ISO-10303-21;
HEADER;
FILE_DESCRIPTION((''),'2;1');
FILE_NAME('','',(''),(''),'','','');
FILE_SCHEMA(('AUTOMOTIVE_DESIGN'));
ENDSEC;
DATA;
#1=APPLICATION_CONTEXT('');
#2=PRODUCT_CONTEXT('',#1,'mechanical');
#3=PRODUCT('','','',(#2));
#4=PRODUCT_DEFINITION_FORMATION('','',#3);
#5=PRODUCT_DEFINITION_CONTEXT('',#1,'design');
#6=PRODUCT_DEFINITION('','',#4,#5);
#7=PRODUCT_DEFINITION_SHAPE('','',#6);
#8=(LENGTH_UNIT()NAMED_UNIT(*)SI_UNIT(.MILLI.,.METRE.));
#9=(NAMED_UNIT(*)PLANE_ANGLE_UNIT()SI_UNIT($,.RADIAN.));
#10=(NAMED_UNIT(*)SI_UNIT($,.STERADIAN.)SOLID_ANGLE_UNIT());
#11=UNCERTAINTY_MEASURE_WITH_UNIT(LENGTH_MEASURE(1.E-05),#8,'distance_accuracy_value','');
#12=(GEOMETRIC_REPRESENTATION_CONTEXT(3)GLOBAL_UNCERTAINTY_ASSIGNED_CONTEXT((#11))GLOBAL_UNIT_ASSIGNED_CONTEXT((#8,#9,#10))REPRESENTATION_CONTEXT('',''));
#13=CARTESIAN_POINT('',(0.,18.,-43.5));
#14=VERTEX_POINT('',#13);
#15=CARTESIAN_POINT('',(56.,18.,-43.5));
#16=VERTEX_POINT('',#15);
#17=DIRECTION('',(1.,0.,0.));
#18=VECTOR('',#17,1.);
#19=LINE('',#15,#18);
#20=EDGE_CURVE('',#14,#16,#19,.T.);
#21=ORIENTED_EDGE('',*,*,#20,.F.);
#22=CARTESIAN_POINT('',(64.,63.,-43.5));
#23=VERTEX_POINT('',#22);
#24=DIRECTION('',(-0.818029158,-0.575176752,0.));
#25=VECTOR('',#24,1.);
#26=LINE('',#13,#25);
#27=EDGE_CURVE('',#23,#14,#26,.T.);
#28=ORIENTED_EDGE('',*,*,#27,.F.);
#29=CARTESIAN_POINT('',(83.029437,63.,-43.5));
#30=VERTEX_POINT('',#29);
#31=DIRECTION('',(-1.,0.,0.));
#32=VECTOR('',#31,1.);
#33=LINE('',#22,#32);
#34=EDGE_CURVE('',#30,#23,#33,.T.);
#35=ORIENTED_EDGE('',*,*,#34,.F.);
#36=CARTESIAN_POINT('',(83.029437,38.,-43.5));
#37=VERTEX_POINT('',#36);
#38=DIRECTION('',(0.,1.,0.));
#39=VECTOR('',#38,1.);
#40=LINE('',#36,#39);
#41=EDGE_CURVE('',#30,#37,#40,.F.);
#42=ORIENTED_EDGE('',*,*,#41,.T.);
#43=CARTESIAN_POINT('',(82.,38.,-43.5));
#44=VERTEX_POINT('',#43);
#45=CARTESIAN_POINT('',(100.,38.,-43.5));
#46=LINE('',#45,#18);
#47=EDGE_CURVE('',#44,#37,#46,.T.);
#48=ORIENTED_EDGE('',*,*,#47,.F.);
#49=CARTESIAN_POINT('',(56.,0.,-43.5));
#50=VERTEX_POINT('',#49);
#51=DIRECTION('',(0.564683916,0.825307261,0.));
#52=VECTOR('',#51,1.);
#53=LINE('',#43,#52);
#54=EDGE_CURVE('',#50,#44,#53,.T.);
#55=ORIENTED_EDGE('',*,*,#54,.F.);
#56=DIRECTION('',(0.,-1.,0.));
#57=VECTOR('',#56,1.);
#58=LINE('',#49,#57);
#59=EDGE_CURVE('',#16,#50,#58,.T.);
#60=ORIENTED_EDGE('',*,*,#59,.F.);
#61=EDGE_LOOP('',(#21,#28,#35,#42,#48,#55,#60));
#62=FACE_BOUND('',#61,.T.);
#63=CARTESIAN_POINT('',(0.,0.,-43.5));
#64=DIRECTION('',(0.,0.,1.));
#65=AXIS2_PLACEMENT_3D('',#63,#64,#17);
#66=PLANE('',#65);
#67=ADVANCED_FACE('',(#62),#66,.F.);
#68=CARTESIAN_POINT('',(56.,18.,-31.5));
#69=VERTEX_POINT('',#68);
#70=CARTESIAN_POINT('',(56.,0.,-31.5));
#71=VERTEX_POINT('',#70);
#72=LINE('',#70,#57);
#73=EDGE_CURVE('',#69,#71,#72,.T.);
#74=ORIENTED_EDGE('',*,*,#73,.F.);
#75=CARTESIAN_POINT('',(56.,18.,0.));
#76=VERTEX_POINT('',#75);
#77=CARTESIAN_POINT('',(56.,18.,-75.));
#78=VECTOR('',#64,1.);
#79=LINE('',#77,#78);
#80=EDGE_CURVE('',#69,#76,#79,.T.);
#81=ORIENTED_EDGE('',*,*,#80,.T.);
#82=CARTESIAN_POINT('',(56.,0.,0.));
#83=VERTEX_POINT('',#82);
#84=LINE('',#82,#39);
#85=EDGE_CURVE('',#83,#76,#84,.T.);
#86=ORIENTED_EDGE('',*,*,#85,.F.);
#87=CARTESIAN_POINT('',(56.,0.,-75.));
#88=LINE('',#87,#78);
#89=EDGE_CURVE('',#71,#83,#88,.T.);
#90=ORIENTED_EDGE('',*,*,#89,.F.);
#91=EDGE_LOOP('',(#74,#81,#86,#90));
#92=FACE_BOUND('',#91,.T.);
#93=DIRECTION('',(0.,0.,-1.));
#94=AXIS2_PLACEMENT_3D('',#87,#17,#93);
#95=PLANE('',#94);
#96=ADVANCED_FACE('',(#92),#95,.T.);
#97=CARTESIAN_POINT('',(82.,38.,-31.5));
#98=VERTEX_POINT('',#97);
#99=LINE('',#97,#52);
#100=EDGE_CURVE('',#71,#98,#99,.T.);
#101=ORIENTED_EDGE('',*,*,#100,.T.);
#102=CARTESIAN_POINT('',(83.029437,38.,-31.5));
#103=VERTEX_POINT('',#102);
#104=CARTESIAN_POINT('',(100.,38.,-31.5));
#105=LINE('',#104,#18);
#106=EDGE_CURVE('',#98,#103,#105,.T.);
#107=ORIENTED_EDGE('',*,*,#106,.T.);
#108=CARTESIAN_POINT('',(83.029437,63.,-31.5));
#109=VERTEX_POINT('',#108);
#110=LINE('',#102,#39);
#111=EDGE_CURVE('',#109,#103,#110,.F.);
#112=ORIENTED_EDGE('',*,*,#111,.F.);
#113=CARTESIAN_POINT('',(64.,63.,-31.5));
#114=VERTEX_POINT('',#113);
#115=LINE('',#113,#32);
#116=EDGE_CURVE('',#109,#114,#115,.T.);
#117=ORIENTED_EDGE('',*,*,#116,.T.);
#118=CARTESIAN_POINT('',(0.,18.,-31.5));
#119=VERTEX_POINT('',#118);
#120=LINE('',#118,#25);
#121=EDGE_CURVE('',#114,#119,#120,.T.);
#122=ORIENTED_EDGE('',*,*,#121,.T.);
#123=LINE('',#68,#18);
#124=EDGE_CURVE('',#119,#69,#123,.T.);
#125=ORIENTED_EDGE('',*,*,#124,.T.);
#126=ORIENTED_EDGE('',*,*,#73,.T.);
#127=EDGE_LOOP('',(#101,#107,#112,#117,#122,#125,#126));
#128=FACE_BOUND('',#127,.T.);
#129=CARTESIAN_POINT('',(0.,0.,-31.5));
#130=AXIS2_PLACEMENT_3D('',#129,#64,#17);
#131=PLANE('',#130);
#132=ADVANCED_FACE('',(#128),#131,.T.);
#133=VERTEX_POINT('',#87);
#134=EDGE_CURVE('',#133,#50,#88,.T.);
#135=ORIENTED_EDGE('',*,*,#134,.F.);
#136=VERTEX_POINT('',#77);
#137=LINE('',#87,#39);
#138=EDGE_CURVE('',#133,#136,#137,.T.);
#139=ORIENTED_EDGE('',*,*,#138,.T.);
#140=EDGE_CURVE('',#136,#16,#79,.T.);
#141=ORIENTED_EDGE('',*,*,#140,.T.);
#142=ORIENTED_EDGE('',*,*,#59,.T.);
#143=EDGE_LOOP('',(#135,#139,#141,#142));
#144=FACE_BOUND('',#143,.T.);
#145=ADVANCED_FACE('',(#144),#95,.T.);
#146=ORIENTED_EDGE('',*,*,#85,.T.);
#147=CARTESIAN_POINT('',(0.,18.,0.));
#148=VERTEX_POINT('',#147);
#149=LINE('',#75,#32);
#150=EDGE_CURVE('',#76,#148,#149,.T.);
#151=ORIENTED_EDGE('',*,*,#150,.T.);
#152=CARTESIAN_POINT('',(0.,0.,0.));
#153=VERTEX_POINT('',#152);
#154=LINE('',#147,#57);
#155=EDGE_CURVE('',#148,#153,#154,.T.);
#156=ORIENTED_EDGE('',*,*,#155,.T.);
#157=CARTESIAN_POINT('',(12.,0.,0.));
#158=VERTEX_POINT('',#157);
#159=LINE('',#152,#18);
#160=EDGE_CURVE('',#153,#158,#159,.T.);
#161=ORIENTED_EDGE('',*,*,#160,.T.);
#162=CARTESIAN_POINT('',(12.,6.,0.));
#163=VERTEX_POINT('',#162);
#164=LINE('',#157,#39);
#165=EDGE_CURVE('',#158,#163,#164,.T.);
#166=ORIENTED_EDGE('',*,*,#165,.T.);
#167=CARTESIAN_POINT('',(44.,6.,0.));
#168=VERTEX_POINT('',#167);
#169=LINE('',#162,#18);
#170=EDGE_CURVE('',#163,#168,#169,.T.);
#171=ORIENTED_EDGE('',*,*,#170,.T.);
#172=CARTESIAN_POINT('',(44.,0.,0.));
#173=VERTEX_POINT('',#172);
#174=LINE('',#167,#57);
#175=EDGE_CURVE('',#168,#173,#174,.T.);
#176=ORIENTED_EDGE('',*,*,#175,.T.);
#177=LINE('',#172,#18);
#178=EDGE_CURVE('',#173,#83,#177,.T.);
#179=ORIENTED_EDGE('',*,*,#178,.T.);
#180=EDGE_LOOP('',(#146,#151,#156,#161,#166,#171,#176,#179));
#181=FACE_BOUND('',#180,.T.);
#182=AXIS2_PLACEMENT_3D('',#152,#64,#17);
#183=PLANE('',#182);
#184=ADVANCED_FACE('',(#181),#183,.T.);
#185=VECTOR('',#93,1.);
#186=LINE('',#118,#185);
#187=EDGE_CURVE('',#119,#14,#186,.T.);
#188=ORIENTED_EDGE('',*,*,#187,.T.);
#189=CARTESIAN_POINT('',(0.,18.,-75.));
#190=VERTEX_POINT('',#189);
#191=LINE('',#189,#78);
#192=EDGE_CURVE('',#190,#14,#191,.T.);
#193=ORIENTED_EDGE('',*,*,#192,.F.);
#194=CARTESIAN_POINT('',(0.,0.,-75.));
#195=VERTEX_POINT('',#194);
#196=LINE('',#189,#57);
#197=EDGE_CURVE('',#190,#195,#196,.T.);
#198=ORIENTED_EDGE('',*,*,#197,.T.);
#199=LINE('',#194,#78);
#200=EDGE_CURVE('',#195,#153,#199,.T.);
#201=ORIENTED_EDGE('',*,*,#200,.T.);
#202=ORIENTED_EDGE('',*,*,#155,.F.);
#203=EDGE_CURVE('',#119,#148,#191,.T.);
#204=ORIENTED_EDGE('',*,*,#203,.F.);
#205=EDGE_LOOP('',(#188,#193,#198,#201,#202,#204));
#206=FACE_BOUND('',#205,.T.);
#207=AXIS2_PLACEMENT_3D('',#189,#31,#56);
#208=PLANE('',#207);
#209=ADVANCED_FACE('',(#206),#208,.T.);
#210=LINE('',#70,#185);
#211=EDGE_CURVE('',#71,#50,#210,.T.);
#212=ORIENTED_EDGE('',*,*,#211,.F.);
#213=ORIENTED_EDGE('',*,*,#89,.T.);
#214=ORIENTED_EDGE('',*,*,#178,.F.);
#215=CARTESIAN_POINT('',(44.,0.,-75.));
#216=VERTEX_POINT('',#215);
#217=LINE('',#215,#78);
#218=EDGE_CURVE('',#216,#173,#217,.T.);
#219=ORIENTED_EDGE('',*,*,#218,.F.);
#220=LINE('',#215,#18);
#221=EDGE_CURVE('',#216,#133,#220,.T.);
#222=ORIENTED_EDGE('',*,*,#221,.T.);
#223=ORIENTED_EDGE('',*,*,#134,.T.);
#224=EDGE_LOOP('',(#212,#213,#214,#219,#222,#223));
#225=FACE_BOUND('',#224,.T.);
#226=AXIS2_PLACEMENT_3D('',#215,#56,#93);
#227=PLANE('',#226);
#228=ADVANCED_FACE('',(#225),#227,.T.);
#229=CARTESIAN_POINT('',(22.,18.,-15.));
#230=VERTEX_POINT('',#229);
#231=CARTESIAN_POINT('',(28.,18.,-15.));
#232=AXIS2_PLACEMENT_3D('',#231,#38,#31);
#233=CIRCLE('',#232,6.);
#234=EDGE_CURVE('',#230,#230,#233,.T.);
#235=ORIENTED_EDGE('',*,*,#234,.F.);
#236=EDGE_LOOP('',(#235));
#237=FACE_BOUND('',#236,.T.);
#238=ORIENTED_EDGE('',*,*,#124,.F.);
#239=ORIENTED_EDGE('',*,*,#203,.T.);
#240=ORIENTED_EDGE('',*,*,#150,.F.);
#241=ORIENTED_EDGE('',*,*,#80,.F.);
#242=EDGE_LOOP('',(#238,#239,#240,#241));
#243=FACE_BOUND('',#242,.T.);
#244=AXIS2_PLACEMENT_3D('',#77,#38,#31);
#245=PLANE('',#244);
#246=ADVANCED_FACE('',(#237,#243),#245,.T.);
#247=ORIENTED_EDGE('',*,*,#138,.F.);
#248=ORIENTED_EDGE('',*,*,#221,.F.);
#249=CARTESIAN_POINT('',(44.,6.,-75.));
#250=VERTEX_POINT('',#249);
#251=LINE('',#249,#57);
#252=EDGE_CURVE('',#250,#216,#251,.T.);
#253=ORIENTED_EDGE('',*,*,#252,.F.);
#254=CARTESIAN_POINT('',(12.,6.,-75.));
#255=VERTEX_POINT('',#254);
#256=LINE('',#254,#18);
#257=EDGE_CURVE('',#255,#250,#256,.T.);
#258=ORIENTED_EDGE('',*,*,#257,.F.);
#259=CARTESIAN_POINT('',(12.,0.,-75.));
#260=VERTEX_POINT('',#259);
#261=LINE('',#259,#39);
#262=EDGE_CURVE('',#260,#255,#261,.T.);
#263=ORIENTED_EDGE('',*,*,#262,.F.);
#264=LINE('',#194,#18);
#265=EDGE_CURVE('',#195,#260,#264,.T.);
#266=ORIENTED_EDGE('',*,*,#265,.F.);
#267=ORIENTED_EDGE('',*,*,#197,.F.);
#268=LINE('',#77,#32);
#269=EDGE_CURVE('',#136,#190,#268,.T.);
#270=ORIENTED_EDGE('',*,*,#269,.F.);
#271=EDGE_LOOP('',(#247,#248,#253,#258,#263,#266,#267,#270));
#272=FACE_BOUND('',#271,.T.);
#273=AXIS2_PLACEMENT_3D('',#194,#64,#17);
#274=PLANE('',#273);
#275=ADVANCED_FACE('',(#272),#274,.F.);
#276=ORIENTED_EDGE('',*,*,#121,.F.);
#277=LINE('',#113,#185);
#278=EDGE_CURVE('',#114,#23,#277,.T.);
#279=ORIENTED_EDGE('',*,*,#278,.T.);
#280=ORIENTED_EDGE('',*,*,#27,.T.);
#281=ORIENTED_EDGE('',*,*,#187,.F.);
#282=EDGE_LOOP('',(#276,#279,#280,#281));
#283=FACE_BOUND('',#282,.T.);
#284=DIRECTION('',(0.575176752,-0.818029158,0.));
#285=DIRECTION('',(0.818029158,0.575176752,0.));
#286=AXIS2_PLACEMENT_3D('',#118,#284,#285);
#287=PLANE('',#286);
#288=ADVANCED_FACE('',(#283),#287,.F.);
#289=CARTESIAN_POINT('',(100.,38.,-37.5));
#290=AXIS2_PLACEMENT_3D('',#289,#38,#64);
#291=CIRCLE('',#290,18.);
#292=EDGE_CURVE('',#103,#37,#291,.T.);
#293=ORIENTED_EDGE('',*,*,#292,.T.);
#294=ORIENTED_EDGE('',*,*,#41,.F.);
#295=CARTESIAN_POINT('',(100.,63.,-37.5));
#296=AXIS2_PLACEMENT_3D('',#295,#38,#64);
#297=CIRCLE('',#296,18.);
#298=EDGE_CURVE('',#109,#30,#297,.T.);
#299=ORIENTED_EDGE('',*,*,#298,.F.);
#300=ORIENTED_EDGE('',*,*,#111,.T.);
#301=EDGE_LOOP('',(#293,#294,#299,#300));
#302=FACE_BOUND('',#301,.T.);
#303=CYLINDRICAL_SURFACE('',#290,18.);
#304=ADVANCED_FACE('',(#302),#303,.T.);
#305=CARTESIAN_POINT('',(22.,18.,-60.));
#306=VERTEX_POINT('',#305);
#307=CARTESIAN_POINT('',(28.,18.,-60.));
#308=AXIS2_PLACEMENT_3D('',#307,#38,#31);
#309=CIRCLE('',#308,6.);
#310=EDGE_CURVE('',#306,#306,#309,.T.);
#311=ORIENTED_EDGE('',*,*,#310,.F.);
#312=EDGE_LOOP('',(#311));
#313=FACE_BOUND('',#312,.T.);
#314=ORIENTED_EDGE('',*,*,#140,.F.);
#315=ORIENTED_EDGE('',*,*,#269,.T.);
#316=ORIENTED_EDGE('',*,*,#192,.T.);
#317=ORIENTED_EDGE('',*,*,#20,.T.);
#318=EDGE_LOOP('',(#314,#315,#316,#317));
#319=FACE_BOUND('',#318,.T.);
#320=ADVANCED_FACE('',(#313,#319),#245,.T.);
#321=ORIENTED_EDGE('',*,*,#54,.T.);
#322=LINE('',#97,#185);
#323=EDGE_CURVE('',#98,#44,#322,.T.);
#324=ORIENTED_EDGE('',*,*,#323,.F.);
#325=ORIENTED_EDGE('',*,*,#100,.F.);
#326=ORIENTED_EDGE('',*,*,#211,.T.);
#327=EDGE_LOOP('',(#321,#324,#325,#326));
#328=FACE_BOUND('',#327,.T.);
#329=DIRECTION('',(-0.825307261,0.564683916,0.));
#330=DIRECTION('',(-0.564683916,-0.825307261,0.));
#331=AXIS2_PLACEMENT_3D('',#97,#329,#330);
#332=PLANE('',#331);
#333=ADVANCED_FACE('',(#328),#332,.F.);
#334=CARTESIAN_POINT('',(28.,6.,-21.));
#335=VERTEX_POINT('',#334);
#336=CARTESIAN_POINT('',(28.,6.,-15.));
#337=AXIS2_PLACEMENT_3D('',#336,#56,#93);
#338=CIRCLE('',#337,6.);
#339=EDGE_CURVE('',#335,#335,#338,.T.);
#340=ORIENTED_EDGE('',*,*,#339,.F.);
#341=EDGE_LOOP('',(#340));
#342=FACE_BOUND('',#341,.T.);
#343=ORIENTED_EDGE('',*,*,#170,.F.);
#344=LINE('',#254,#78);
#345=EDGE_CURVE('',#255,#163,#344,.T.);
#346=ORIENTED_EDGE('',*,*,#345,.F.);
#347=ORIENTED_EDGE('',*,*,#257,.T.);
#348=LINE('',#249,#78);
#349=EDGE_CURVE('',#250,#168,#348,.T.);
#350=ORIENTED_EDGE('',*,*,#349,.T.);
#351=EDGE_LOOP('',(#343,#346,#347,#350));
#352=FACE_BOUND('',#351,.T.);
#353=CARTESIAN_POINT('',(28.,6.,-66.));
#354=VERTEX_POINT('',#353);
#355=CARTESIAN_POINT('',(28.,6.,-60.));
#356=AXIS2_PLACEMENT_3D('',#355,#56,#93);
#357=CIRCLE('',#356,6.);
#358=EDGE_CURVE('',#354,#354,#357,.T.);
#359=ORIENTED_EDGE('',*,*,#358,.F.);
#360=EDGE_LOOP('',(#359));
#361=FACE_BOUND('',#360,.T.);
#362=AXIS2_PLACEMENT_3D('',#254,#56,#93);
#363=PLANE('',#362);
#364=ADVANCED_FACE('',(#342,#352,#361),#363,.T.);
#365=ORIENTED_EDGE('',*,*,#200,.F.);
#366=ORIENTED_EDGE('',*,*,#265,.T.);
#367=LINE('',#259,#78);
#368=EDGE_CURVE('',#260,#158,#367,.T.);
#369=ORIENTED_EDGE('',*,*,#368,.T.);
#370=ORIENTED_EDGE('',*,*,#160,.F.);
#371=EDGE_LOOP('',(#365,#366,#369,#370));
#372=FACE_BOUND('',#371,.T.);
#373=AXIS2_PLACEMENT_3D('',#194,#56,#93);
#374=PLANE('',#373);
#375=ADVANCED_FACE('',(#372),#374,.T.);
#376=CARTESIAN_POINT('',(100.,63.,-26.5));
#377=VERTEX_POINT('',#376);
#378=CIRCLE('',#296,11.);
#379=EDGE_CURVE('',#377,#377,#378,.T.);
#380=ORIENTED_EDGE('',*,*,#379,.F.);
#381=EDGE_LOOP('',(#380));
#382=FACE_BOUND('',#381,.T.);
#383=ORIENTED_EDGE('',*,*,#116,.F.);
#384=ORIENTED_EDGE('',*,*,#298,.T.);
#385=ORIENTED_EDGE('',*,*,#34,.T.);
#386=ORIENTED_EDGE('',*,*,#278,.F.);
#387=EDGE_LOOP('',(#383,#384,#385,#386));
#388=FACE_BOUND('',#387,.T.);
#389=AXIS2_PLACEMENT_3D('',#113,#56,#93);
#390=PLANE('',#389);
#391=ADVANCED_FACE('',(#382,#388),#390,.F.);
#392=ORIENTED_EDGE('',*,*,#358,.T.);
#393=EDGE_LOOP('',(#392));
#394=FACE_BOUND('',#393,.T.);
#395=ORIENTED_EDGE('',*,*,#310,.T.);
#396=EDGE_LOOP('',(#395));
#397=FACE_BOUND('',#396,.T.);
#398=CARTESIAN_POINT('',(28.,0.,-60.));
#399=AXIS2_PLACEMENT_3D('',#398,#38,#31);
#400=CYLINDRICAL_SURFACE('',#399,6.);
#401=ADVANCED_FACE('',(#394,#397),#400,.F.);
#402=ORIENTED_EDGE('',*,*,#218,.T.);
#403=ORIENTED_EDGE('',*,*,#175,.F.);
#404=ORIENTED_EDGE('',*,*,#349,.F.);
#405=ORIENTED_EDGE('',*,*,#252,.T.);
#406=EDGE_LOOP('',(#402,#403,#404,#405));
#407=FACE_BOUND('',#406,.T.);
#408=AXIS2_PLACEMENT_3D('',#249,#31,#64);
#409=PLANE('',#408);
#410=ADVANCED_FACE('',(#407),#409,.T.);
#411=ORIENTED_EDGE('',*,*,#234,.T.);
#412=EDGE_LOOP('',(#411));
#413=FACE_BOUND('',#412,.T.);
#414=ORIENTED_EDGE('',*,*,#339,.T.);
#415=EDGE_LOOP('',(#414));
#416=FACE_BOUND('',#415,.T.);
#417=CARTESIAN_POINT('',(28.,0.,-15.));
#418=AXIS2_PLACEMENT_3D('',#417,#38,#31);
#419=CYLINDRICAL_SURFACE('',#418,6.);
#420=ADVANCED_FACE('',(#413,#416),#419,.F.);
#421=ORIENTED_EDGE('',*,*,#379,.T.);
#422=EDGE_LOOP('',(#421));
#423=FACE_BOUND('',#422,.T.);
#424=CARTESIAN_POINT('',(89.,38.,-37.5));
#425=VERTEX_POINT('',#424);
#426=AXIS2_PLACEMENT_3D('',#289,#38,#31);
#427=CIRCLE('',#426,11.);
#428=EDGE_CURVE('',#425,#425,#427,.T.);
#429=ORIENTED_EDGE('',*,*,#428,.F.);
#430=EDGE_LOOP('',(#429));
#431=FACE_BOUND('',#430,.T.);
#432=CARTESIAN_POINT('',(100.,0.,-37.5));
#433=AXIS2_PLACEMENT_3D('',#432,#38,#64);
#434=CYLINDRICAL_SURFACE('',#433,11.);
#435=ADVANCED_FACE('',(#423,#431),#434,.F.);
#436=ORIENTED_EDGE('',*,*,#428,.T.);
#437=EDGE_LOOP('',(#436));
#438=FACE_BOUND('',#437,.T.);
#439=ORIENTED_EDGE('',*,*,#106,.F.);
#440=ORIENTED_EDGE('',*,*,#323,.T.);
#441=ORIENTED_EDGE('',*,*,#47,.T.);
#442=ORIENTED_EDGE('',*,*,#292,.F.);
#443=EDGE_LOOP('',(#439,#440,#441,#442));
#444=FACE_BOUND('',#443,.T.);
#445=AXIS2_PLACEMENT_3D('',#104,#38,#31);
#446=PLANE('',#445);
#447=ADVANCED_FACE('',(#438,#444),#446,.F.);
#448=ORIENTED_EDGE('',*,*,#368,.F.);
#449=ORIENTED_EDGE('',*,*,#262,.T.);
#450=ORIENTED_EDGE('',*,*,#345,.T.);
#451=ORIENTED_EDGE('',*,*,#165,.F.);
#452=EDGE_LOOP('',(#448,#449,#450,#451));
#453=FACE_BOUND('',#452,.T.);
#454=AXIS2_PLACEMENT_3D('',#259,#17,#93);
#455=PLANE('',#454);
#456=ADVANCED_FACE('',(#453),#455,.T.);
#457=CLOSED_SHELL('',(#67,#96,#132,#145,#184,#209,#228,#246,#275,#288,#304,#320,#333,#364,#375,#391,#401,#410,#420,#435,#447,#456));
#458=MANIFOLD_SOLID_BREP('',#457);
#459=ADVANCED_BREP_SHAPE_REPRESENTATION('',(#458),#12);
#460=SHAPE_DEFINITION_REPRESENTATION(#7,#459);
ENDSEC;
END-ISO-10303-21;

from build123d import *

# Parameters (mm, degrees)
BOSS_EXTRUDE1_DEPTH = 75
SKETCH2_R           = 6
CUT_EXTRUDE1_DEPTH  = 96.315266353
BOSS_EXTRUDE2_DEPTH = 6
SKETCH4_R           = 18
BOSS_EXTRUDE3_DEPTH = 25
SKETCH5_R           = 11
CUT_EXTRUDE2_DEPTH  = 154.355795456


with BuildPart() as part:
    # Sketch1 → Boss-Extrude1 (new body)
    with BuildSketch(Plane.XY):
        Polygon((0, 0), (12, 0), (12, 6), (44, 6), (44, 0), (56, 0), (56, 18), (0, 18), align=None)
    extrude(amount=-BOSS_EXTRUDE1_DEPTH)

    # Sketch2 → Cut-Extrude1 (cut, through all)
    with BuildSketch(Plane(origin=(0, 18, 0), x_dir=(1, 0, 0), z_dir=(0, 1, 0))):
        with Locations(Location((28, 15, 0), (0, 0, 180))):
            Circle(SKETCH2_R)
        with Locations(Location((28, 60, 0), (0, 0, 180))):
            Circle(SKETCH2_R)
    extrude(amount=-CUT_EXTRUDE1_DEPTH, mode=Mode.SUBTRACT)

    # Sketch3 → Boss-Extrude2 (add, symmetric)
    with BuildSketch(Plane.XY.offset(-37.5)):
        Polygon((0, 18), (64, 63), (100, 63), (100, 38), (82, 38), (56, 0), (56, 18), align=None)
    extrude(amount=BOSS_EXTRUDE2_DEPTH, both=True)

    # Sketch4 → Boss-Extrude3 (add)
    with BuildSketch(Plane(origin=(0, 63, 0), x_dir=(1, 0, 0), z_dir=(0, 1, 0))):
        with Locations((100, 37.5)):
            Circle(SKETCH4_R)
    extrude(amount=-BOSS_EXTRUDE3_DEPTH)

    # Sketch5 → Cut-Extrude2 (cut, through all)
    with BuildSketch(Plane(origin=(0, 63, 0), x_dir=(1, 0, 0), z_dir=(0, 1, 0))):
        with Locations(Location((100, 37.5, 0), (0, 0, 270))):
            Circle(SKETCH5_R)
    extrude(amount=-CUT_EXTRUDE2_DEPTH, mode=Mode.SUBTRACT)


solid = part.part
